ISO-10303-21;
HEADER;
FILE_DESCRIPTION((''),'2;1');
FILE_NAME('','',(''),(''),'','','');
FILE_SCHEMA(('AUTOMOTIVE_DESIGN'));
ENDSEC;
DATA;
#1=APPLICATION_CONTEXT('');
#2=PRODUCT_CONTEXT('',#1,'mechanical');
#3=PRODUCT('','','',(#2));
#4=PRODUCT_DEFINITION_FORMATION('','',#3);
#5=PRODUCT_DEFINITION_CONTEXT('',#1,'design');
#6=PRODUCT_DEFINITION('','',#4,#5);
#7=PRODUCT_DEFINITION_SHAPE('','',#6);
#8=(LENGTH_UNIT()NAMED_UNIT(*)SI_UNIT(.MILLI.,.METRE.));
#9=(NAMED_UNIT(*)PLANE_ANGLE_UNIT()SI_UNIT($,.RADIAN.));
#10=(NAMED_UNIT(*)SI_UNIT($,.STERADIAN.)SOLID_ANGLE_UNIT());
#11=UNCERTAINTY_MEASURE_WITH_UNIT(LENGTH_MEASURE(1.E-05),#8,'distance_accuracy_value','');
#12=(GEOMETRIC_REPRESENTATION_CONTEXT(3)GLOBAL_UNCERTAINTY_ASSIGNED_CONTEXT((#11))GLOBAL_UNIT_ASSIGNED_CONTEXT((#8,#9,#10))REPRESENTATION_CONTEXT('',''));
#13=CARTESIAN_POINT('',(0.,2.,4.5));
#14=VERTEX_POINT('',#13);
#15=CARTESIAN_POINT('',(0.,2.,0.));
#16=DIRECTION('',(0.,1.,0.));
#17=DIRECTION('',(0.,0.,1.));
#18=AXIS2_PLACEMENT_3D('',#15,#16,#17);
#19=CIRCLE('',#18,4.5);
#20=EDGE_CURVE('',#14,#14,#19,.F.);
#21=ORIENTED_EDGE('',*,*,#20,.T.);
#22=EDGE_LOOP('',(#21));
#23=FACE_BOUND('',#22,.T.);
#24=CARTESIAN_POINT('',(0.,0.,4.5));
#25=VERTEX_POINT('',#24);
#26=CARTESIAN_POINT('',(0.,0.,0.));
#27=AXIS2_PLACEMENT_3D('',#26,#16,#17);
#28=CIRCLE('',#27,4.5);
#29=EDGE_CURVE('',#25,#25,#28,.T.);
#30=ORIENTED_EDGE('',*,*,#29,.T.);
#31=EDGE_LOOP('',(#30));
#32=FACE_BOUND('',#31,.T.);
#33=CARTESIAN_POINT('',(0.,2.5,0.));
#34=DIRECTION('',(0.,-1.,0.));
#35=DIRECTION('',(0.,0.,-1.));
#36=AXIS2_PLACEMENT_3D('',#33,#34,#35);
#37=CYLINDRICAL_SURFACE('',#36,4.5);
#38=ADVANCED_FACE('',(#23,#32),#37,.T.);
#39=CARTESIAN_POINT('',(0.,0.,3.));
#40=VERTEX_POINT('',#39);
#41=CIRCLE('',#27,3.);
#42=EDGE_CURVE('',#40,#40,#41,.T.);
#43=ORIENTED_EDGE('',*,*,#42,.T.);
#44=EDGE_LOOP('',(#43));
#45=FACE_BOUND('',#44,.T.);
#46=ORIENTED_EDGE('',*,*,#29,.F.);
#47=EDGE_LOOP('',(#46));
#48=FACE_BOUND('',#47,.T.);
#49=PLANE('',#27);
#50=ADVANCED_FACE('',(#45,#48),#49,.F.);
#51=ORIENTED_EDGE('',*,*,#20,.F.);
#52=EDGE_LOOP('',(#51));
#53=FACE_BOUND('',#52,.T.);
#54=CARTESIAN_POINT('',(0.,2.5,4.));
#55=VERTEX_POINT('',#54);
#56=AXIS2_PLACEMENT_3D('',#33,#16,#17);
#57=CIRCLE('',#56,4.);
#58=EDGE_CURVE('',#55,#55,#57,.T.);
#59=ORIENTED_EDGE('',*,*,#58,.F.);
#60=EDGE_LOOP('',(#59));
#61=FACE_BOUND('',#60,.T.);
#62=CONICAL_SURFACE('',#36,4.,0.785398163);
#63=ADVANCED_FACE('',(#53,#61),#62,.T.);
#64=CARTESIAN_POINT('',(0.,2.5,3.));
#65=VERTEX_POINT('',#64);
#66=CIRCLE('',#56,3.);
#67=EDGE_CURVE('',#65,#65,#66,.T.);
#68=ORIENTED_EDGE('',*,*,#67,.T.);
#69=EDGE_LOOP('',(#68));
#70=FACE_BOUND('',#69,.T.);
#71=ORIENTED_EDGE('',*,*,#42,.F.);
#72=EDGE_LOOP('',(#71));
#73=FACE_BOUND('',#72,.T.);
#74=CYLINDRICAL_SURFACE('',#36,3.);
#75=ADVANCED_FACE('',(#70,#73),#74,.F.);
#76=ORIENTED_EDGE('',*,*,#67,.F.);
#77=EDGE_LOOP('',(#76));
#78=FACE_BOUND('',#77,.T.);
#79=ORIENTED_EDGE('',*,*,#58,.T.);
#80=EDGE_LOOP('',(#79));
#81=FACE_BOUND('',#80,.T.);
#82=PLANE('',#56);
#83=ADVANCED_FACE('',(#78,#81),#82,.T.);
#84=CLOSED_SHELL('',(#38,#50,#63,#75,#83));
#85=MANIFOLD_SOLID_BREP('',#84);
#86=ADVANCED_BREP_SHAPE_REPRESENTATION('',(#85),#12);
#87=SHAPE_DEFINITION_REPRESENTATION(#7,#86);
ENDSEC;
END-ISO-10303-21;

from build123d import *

# Parameters (mm, degrees)
SKETCH_1_R      = 4.5
SKETCH_1_R_2    = 3
EXTRUDE_1_DEPTH = 2.5
CHAMFER_1_SIZE  = 0.5


with BuildPart() as part:
    # Эскиз1 → Бобышка-Вытянуть1 (new body)
    with BuildSketch(Plane(origin=(0, 0, 0), x_dir=(1, 0, 0), z_dir=(0, 1, 0))):
        with Locations(Location((0, 0, 0), (0, 0, 270))):
            Circle(SKETCH_1_R)
        with Locations(Location((0, 0, 0), (0, 0, 270))):
            Circle(SKETCH_1_R_2, mode=Mode.SUBTRACT)
    extrude(amount=EXTRUDE_1_DEPTH)

    # Фаска1
    chamfer_1_edges = [part.edges().sort_by_distance(p)[0] for p in [
        (0, 2.5, -4.5),
    ]]
    chamfer(chamfer_1_edges, length=CHAMFER_1_SIZE)


solid = part.part
